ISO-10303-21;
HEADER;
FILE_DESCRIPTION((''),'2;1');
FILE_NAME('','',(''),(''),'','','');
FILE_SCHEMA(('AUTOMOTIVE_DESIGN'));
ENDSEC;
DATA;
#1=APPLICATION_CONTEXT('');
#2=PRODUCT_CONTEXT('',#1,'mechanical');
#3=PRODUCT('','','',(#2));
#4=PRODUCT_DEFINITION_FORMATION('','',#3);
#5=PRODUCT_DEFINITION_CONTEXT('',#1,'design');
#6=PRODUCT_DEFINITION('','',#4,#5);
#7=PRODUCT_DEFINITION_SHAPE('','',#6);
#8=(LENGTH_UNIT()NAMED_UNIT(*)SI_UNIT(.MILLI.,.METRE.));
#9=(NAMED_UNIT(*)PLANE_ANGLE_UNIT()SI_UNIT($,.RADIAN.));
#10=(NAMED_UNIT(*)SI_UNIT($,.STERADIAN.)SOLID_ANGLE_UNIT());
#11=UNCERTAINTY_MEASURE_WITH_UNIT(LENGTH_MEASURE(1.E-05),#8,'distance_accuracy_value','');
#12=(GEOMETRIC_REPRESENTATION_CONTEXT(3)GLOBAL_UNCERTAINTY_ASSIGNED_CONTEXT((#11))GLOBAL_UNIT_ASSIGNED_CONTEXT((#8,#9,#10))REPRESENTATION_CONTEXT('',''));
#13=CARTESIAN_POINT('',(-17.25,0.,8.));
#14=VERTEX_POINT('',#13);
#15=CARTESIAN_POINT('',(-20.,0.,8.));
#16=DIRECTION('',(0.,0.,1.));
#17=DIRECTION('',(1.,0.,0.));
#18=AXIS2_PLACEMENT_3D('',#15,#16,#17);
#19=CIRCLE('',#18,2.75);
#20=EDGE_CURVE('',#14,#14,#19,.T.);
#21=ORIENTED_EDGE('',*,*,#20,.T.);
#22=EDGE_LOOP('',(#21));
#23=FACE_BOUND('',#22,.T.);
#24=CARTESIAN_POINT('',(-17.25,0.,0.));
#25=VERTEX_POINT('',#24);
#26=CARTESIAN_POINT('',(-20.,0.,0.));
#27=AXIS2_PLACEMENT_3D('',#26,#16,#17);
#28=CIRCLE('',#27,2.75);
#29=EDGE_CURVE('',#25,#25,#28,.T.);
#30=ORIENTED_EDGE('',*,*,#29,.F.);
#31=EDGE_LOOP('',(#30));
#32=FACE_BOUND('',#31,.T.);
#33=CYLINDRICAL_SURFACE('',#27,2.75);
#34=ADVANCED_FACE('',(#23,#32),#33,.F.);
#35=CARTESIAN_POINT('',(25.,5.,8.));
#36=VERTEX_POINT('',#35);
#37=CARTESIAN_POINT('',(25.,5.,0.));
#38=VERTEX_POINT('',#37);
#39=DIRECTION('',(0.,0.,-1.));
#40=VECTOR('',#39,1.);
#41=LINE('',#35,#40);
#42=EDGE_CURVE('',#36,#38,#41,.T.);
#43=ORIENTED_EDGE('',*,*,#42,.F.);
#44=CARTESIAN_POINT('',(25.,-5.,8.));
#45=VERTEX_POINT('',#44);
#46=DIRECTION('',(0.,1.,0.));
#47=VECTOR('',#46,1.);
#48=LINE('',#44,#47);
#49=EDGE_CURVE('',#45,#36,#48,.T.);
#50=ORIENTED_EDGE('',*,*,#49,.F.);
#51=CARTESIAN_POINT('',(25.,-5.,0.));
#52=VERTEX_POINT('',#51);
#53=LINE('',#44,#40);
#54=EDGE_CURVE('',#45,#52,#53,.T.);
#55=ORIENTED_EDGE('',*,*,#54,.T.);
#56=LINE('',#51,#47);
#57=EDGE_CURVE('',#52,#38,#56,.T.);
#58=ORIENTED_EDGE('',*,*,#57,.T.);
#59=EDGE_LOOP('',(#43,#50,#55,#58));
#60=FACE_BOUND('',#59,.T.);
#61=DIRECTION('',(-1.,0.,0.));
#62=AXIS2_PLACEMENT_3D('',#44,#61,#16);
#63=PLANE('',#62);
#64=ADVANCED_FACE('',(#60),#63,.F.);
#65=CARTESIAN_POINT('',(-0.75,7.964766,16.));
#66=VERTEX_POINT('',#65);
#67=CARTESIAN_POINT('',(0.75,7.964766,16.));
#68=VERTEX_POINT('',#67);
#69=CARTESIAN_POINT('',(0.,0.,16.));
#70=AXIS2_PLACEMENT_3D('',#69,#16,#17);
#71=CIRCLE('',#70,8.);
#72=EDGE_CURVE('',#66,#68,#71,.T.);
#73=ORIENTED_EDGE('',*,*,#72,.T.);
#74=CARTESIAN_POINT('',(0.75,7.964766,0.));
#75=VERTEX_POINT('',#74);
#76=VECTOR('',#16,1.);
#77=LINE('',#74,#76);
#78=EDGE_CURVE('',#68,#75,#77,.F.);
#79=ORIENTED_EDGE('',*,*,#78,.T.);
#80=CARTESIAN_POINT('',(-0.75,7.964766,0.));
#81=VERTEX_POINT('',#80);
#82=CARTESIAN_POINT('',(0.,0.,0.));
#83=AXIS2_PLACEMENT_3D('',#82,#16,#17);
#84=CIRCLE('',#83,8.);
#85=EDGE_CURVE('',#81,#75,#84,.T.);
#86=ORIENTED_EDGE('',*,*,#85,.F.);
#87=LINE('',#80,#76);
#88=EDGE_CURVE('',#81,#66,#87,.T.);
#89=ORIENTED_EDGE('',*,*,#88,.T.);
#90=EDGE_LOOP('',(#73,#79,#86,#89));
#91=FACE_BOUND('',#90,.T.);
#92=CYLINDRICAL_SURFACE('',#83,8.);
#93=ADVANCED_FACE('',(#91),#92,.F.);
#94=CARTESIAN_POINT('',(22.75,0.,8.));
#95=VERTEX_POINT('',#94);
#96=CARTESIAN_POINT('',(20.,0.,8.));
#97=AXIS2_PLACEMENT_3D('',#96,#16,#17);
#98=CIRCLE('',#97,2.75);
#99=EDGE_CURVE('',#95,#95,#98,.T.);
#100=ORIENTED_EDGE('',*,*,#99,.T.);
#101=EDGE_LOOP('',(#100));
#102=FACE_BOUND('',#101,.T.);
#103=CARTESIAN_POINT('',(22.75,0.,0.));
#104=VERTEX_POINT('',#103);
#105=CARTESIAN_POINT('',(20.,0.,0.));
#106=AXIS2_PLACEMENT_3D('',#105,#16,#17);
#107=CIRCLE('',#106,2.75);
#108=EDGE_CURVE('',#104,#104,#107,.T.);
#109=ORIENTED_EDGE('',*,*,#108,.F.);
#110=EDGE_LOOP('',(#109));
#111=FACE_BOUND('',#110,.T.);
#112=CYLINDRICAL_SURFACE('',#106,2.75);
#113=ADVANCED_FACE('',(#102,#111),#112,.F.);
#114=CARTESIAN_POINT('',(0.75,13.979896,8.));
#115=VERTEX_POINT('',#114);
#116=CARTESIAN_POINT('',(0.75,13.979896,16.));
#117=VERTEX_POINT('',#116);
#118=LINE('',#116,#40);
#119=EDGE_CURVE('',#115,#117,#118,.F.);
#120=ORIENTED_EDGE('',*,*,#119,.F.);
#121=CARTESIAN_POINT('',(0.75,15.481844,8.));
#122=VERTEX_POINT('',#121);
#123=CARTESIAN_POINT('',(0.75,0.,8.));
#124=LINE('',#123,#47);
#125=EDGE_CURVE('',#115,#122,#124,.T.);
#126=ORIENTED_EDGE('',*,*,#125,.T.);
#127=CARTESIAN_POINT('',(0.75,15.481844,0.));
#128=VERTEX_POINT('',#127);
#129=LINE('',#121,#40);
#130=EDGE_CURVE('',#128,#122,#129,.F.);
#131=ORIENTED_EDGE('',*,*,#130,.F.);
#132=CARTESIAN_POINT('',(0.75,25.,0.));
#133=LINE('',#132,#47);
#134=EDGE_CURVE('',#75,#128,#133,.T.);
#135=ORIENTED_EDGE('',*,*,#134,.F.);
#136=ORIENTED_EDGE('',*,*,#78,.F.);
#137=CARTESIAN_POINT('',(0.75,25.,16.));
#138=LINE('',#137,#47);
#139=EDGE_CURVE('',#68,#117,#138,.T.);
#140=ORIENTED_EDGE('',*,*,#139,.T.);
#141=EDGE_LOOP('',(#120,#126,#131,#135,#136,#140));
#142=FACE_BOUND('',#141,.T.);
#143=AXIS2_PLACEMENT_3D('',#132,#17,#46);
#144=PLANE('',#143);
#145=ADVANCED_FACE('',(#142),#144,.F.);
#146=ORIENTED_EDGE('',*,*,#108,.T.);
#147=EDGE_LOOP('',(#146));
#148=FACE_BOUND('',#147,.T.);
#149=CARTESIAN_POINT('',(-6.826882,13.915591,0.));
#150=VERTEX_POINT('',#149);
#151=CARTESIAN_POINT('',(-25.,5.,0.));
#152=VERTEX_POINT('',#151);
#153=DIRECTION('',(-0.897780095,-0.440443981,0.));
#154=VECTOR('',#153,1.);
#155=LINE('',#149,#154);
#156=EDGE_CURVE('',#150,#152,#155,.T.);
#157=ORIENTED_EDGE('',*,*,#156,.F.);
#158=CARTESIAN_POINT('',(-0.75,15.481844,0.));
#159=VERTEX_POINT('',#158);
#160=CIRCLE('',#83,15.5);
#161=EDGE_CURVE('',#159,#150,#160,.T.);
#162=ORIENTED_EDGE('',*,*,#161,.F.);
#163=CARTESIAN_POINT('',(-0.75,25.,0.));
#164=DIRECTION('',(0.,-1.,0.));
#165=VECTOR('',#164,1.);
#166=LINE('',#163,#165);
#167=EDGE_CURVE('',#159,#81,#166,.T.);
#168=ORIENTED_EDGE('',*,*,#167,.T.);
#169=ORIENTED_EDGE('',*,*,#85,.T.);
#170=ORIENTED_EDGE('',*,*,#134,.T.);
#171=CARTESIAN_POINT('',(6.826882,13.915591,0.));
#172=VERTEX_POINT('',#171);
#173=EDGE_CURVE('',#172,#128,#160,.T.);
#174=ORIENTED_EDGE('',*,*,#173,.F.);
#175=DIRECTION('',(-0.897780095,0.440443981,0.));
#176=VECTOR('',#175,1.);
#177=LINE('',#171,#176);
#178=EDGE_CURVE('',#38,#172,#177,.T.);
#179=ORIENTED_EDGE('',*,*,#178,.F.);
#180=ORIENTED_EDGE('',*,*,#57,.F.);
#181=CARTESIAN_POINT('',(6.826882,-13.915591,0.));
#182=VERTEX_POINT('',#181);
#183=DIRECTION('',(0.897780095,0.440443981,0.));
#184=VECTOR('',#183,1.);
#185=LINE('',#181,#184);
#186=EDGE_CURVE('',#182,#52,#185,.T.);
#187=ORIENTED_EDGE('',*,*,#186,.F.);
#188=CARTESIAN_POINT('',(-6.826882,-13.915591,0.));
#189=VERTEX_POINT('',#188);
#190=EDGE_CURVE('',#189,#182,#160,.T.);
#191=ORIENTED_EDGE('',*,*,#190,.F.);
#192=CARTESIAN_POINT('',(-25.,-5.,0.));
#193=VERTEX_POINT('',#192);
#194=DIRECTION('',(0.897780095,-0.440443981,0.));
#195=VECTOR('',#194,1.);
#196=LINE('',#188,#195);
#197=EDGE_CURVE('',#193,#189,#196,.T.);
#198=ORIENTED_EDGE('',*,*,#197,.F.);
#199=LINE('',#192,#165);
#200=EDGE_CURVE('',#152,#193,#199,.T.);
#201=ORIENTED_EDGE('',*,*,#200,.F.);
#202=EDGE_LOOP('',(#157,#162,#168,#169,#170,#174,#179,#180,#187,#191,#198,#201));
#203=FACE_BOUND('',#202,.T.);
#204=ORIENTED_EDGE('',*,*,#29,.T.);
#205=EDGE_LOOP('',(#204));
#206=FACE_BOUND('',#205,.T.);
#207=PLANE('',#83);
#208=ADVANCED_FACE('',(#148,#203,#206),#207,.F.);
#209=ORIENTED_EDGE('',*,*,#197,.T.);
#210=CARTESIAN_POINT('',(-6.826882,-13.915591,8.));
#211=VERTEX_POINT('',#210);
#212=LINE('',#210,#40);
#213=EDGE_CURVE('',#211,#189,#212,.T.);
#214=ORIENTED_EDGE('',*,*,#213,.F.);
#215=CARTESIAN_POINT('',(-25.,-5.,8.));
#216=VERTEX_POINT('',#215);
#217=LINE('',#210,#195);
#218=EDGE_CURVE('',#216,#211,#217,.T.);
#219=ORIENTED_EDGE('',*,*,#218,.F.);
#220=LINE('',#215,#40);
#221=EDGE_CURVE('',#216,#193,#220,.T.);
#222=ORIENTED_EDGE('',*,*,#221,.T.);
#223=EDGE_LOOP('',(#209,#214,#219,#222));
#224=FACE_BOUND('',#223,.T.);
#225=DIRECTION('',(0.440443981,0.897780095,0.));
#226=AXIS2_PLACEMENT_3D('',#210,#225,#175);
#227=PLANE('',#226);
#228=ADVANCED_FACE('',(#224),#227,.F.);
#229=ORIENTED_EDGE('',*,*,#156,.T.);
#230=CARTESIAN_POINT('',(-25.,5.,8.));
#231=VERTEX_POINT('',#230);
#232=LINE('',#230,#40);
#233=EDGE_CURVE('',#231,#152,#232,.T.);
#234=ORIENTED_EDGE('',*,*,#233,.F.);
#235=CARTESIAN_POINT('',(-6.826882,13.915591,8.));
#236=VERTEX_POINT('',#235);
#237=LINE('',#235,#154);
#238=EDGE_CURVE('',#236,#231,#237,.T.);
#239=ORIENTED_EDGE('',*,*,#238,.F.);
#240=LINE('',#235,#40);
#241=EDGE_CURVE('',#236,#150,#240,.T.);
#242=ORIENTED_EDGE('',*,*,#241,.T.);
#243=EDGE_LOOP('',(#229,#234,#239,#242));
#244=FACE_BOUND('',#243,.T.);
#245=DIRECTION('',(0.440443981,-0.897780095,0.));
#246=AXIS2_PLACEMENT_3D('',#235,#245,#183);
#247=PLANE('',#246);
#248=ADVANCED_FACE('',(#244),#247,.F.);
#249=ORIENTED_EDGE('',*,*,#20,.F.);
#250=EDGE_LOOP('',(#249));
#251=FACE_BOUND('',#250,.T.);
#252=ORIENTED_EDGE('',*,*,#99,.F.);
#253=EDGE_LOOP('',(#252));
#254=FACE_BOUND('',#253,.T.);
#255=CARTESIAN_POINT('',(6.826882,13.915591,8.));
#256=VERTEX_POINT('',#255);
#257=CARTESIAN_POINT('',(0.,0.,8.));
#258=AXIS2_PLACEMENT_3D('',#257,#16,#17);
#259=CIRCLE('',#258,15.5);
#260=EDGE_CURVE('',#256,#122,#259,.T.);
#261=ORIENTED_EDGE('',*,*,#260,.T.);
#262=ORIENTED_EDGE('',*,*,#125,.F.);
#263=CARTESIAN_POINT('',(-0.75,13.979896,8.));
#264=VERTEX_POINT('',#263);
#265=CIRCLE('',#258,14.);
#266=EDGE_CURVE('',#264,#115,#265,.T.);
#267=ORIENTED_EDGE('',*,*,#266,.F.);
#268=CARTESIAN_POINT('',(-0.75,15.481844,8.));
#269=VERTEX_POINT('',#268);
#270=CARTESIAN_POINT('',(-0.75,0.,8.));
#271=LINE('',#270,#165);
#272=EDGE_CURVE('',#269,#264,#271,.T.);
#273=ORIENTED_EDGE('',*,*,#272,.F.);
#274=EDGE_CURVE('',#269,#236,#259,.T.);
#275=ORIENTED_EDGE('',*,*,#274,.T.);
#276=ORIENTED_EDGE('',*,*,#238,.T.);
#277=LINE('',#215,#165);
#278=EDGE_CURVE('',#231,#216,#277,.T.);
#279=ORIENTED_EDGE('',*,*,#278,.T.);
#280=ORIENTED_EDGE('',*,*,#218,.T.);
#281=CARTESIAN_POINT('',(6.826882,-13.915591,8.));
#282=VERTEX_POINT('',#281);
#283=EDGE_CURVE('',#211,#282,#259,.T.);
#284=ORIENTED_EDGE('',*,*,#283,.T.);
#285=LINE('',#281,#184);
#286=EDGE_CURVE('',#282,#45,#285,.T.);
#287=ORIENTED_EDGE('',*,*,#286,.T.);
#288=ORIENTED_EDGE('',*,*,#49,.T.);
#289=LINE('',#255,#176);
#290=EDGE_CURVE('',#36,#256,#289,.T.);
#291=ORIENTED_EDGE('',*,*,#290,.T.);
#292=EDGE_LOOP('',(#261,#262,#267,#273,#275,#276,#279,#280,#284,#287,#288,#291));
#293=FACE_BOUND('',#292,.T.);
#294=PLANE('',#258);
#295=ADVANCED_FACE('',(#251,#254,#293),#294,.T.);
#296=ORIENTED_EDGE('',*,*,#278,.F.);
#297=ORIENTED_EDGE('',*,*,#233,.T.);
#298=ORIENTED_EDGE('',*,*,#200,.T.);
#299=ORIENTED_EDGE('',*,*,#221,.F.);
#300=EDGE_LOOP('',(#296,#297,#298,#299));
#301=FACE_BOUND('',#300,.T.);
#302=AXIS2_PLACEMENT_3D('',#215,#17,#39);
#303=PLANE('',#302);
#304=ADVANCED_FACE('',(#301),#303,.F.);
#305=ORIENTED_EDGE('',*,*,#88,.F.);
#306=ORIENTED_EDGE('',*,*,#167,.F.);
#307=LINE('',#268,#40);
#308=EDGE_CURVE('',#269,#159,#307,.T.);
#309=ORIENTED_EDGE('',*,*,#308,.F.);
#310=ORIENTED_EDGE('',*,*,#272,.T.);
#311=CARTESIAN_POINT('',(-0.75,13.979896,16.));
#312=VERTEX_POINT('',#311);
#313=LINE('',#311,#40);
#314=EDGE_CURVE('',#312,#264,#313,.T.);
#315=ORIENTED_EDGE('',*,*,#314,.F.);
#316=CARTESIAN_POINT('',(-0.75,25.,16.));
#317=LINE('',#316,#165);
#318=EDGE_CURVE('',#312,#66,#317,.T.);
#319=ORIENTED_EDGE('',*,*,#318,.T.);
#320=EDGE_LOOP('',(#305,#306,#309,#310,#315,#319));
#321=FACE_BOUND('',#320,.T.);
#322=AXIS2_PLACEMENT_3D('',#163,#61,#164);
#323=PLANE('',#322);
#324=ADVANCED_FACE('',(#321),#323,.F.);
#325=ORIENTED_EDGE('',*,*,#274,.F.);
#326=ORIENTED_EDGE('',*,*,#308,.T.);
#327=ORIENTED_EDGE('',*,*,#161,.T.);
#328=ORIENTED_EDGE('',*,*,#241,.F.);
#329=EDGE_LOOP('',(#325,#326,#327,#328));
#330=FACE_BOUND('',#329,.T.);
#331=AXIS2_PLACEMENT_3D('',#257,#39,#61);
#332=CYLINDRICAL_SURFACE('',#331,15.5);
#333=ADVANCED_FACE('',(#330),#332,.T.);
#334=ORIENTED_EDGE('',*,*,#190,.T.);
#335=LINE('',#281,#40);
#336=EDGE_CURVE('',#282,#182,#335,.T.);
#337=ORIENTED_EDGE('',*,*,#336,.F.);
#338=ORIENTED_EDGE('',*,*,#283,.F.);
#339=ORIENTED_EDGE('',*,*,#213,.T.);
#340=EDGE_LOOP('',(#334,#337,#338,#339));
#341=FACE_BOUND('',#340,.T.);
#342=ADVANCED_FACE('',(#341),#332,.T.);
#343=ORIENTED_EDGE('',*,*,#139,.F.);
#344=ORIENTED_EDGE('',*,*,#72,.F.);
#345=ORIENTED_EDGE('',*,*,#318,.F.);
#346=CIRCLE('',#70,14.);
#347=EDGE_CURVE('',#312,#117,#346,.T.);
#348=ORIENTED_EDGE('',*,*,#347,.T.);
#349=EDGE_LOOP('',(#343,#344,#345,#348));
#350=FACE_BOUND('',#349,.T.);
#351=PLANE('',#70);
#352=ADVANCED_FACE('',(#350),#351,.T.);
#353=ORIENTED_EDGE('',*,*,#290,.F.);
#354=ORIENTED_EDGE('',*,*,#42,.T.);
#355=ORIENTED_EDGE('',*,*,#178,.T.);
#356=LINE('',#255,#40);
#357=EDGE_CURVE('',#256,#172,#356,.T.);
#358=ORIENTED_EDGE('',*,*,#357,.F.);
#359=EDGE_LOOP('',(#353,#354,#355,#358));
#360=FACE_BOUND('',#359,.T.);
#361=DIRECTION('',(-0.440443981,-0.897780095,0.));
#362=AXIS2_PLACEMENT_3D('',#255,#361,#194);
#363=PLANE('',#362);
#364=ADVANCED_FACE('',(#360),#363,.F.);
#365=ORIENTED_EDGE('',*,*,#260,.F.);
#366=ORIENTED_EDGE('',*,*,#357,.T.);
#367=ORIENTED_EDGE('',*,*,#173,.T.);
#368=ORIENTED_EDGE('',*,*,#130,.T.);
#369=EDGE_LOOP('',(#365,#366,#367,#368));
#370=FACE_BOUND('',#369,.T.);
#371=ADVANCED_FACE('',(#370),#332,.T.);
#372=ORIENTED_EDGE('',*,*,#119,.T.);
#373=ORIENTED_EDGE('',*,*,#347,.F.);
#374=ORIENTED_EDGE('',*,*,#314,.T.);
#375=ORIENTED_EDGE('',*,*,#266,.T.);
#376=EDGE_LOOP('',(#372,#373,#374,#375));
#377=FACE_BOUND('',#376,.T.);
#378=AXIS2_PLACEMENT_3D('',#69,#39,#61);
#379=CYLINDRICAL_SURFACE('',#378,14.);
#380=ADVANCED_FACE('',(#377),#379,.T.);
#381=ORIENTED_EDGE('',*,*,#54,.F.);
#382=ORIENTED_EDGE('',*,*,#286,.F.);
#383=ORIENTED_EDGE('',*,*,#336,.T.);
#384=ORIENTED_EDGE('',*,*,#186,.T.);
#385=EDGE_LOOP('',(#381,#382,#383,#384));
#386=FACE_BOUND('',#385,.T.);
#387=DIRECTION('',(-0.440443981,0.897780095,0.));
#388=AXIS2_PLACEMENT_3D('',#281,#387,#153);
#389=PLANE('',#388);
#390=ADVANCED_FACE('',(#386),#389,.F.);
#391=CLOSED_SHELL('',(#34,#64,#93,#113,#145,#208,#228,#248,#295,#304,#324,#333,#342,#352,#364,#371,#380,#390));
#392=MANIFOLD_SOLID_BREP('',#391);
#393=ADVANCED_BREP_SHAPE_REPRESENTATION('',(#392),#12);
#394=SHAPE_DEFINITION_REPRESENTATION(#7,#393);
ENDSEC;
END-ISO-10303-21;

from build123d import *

# Parameters (mm, degrees)
BOSS_EXTRUDE1_DEPTH = 8
SKETCH2_R           = 14
BOSS_EXTRUDE2_DEPTH = 8
SKETCH3_R           = 8
CUT_EXTRUDE1_DEPTH  = 17
SKETCH4_R           = 2.75
CUT_EXTRUDE2_DEPTH  = 9
SKETCH5_W           = 1.5
SKETCH5_H           = 20
CUT_EXTRUDE3_DEPTH  = 17


with BuildPart() as part:
    # Sketch1 → Boss-Extrude1 (new body)
    with BuildSketch(Plane.XY):
        with BuildLine():
            Line((-6.826881704, 13.915591478), (-25, 5))
            Line((-25, 5), (-25, -5))
            Line((-25, -5), (-6.826881704, -13.915591478))
            ThreePointArc((-6.826881704, -13.915591478), (0, -15.5), (6.826881704, -13.915591478))
            Line((6.826881704, -13.915591478), (25, -5))
            Line((25, -5), (25, 5))
            Line((25, 5), (6.826881704, 13.915591478))
            ThreePointArc((6.826881704, 13.915591478), (0, 15.5), (-6.826881704, 13.915591478))
        make_face()
    extrude(amount=BOSS_EXTRUDE1_DEPTH)

    # Sketch2 → Boss-Extrude2 (add)
    with BuildSketch(Plane.XY.offset(8)):
        Circle(SKETCH2_R)
    extrude(amount=BOSS_EXTRUDE2_DEPTH)

    # Sketch3 → Cut-Extrude1 (cut, through all)
    with BuildSketch(Plane.XY.offset(16)):
        Circle(SKETCH3_R)
    extrude(amount=-CUT_EXTRUDE1_DEPTH, mode=Mode.SUBTRACT)

    # Sketch4 → Cut-Extrude2 (cut, through all)
    with BuildSketch(Plane.XY.offset(8)):
        with Locations((-20, 0)):
            Circle(SKETCH4_R)
        with Locations((20, 0)):
            Circle(SKETCH4_R)
    extrude(amount=-CUT_EXTRUDE2_DEPTH, mode=Mode.SUBTRACT)

    # Sketch5 → Cut-Extrude3 (cut, through all)
    with BuildSketch(Plane.XY.offset(16)):
        with Locations((0, 15)):
            Rectangle(SKETCH5_W, SKETCH5_H)
    extrude(amount=-CUT_EXTRUDE3_DEPTH, mode=Mode.SUBTRACT)


solid = part.part
